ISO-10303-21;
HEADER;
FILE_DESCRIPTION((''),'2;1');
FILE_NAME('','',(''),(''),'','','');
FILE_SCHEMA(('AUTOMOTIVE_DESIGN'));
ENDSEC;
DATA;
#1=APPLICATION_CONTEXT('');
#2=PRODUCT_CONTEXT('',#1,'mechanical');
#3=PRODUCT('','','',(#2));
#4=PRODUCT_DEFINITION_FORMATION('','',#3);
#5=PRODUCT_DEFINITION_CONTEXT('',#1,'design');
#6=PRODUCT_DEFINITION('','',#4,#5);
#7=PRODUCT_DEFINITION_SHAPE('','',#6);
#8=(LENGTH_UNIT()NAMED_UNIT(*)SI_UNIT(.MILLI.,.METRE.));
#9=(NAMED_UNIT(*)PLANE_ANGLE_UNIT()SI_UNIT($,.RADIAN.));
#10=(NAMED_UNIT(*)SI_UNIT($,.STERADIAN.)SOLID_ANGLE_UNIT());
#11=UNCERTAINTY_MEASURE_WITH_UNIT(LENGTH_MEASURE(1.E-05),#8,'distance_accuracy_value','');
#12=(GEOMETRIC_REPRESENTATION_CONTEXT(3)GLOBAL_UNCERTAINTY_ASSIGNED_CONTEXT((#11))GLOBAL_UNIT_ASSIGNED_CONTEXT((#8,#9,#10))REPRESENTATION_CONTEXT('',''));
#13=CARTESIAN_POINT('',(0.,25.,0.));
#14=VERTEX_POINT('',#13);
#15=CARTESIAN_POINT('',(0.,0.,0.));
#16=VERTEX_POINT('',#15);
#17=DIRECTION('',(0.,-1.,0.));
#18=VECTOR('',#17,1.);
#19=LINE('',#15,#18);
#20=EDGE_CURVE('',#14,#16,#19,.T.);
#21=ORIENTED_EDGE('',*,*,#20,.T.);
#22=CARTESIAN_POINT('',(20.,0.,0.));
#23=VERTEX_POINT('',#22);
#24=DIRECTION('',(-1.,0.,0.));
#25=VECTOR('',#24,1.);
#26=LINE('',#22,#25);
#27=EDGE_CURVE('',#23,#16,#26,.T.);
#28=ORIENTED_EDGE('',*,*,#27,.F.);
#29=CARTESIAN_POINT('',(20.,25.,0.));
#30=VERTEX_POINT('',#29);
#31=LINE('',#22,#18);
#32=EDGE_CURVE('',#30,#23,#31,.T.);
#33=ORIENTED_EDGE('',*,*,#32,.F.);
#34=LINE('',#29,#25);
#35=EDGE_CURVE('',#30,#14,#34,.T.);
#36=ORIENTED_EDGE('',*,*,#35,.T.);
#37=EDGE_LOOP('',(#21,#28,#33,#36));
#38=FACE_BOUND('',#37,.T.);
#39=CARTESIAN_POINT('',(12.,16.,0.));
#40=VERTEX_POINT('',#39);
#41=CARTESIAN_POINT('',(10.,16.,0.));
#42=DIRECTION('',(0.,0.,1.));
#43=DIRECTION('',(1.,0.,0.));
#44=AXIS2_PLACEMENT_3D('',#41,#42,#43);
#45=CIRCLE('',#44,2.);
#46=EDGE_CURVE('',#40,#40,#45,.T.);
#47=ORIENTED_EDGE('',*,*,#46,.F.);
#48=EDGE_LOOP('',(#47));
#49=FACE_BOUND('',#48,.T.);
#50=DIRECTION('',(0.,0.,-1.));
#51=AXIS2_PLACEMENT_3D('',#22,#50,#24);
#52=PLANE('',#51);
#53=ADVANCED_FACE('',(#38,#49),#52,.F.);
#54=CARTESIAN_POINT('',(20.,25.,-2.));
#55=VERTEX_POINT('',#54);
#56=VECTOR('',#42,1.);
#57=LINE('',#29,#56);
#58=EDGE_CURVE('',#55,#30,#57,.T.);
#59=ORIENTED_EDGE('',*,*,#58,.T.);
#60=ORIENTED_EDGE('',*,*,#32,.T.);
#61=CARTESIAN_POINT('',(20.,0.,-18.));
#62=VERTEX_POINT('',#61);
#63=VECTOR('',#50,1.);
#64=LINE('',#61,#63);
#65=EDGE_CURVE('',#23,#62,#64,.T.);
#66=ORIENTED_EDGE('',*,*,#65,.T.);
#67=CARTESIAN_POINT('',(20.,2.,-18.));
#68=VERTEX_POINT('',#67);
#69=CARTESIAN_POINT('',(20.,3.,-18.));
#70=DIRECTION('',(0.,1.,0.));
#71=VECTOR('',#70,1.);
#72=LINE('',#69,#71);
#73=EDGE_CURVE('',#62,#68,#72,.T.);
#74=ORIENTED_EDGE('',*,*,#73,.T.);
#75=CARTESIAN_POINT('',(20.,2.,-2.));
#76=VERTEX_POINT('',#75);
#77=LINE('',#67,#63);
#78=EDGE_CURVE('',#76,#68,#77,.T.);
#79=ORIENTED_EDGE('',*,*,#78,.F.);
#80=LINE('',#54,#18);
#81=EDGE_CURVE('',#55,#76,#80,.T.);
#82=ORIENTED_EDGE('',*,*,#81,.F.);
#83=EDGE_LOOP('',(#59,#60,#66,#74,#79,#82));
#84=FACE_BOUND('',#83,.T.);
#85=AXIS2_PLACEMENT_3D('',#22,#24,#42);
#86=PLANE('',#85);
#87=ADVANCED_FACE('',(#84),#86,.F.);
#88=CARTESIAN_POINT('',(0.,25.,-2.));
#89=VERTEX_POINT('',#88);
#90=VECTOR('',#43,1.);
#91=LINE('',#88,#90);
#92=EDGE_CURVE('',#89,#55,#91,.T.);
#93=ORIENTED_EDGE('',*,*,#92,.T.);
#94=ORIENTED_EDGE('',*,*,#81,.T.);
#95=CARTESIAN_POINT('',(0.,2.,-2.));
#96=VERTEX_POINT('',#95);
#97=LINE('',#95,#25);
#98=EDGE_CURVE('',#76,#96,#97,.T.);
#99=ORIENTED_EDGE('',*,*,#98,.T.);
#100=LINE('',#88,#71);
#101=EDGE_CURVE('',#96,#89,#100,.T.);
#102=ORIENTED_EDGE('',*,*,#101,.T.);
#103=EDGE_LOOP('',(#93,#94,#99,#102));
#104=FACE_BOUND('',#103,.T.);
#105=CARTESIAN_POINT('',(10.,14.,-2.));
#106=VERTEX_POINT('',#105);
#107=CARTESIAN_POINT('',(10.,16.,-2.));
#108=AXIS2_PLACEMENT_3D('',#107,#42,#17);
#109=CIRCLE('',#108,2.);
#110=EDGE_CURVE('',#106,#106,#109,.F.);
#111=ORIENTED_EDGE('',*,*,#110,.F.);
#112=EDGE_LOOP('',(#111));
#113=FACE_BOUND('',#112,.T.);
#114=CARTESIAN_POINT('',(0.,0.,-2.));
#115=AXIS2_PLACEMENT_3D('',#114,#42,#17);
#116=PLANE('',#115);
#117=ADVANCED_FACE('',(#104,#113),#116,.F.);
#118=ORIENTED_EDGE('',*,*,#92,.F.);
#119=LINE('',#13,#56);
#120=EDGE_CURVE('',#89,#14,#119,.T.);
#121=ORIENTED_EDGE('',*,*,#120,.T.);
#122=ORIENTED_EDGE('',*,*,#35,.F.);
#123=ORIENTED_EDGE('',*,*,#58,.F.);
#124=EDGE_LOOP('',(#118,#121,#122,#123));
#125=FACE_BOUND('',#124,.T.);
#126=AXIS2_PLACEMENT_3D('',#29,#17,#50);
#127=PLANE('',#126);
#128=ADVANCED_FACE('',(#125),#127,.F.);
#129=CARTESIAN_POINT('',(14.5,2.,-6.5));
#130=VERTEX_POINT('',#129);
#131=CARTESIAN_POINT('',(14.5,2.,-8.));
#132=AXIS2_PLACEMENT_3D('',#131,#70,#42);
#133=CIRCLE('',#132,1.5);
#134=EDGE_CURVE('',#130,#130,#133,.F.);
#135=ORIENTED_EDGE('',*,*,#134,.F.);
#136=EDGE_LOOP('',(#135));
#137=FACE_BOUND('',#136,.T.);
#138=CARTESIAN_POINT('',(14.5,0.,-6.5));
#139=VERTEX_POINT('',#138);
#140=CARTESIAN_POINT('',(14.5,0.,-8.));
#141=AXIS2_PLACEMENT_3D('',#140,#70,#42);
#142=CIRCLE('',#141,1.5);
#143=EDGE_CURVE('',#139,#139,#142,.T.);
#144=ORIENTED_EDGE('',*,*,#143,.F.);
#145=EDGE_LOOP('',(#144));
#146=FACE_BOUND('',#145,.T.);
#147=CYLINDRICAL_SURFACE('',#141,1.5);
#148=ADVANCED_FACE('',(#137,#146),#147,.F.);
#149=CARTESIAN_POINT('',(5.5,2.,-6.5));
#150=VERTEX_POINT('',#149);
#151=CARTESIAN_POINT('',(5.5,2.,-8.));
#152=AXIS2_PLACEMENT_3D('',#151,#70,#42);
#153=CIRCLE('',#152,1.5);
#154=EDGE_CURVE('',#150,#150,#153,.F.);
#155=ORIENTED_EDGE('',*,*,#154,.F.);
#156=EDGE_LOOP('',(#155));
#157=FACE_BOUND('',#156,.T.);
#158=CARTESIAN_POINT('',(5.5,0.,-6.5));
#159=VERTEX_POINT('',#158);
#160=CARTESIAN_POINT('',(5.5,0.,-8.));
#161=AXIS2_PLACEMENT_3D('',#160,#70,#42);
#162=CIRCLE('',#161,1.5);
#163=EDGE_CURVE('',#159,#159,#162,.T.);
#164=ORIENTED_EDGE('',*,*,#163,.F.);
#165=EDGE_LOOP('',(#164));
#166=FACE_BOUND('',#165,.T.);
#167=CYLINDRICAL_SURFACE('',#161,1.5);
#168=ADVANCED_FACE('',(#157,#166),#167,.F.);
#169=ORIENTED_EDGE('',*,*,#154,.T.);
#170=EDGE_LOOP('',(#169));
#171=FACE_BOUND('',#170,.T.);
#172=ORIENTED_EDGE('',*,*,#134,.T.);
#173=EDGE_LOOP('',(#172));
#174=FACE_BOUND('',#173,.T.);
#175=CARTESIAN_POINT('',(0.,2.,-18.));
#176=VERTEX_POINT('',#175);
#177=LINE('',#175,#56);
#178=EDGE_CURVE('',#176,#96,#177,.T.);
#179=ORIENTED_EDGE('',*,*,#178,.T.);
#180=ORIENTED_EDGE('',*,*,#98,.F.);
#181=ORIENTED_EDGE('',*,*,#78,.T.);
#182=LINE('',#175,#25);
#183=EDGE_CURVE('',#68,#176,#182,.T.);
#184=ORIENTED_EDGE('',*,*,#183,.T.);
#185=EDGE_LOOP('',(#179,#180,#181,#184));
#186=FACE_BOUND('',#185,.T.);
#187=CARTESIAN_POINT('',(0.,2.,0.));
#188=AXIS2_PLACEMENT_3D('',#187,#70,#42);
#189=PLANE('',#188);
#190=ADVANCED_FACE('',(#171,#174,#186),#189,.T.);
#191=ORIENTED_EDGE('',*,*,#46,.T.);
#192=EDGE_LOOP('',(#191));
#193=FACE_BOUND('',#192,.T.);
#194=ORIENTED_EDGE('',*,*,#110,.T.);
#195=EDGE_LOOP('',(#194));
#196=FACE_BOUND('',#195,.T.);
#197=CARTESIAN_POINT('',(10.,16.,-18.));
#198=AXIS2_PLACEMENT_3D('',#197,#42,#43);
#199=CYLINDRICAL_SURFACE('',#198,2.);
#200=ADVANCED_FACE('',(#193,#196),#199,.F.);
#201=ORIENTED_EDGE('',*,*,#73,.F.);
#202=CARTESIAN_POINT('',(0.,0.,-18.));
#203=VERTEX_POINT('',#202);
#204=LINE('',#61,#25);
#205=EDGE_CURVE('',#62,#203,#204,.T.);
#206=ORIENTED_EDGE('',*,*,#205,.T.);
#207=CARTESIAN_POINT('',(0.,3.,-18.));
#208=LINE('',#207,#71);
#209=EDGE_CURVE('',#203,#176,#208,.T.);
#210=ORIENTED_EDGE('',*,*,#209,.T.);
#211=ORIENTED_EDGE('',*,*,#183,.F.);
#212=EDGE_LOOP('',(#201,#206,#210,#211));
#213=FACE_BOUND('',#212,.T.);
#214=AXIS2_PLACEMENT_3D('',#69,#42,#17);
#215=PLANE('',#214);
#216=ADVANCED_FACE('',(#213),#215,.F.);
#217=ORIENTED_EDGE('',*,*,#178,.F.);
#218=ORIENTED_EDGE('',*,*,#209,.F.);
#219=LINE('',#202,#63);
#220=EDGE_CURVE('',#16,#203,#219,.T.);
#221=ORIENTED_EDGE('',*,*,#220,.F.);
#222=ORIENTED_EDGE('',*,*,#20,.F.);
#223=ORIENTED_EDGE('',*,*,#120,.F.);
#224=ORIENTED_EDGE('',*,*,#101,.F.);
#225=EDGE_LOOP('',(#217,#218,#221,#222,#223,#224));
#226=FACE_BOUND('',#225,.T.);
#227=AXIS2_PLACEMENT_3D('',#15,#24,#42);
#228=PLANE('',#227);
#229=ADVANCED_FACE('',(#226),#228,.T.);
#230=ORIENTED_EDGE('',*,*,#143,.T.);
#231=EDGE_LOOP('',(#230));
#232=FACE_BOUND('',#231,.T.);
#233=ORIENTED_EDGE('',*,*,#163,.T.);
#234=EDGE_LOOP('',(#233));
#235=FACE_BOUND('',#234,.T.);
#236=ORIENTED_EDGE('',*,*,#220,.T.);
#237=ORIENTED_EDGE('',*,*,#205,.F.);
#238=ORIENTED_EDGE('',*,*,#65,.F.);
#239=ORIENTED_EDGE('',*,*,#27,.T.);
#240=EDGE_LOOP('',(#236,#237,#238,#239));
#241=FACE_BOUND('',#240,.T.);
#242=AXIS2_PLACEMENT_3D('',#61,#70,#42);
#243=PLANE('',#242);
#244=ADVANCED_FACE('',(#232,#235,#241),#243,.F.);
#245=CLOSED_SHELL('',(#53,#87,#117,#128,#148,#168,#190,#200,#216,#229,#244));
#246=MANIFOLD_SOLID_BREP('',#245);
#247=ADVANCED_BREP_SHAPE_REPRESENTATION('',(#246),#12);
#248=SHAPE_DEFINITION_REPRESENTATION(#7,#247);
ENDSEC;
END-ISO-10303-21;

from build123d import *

# Parameters (mm, degrees)
EXTRUDE_1_DEPTH     = 20
SKETCH_2_R          = 1.5
CUT_EXTRUDE_1_DEPTH = 4
SKETCH_3_R          = 2
CUT_EXTRUDE_2_DEPTH = 19
SKETCH_4_W          = 20
SKETCH_4_H          = 15
CUT_EXTRUDE_3_DEPTH = 1
SKETCH_5_W          = 20
SKETCH_5_H          = 23
CUT_EXTRUDE_4_DEPTH = 1


with BuildPart() as part:
    # 草图1 → 凸台-拉伸1 (new body)
    with BuildSketch(Plane(origin=(0, 0, 0), x_dir=(0, 0, -1), z_dir=(1, 0, 0))):
        Polygon((0, 0), (0, 25), (3, 25), (3, 3), (18, 3), (18, 0), align=None)
    extrude(amount=EXTRUDE_1_DEPTH)

    # 草图2 → 切除-拉伸1 (cut, through all)
    with BuildSketch(Plane(origin=(0, 3, 0), x_dir=(1, 0, 0), z_dir=(0, 1, 0))):
        with Locations((5.5, 8)):
            Circle(SKETCH_2_R)
        with Locations((14.5, 8)):
            Circle(SKETCH_2_R)
    extrude(amount=-CUT_EXTRUDE_1_DEPTH, mode=Mode.SUBTRACT)

    # 草图3 → 切除-拉伸2 (cut, through all)
    with BuildSketch(Plane.XY):
        with Locations((10, 16)):
            Circle(SKETCH_3_R)
    extrude(amount=-CUT_EXTRUDE_2_DEPTH, mode=Mode.SUBTRACT)

    # 草图4 → 切除-拉伸3 (cut)
    with BuildSketch(Plane(origin=(0, 3, 0), x_dir=(1, 0, 0), z_dir=(0, 1, 0))):
        with Locations((10, 10.5)):
            Rectangle(SKETCH_4_W, SKETCH_4_H)
    extrude(amount=-CUT_EXTRUDE_3_DEPTH, mode=Mode.SUBTRACT)

    # 草图5 → 切除-拉伸4 (cut)
    with BuildSketch(Plane(origin=(0, 0, -3), x_dir=(-1, 0, 0), z_dir=(0, 0, -1))):
        with Locations((-10, 13.5)):
            Rectangle(SKETCH_5_W, SKETCH_5_H)
    extrude(amount=-CUT_EXTRUDE_4_DEPTH, mode=Mode.SUBTRACT)


solid = part.part
